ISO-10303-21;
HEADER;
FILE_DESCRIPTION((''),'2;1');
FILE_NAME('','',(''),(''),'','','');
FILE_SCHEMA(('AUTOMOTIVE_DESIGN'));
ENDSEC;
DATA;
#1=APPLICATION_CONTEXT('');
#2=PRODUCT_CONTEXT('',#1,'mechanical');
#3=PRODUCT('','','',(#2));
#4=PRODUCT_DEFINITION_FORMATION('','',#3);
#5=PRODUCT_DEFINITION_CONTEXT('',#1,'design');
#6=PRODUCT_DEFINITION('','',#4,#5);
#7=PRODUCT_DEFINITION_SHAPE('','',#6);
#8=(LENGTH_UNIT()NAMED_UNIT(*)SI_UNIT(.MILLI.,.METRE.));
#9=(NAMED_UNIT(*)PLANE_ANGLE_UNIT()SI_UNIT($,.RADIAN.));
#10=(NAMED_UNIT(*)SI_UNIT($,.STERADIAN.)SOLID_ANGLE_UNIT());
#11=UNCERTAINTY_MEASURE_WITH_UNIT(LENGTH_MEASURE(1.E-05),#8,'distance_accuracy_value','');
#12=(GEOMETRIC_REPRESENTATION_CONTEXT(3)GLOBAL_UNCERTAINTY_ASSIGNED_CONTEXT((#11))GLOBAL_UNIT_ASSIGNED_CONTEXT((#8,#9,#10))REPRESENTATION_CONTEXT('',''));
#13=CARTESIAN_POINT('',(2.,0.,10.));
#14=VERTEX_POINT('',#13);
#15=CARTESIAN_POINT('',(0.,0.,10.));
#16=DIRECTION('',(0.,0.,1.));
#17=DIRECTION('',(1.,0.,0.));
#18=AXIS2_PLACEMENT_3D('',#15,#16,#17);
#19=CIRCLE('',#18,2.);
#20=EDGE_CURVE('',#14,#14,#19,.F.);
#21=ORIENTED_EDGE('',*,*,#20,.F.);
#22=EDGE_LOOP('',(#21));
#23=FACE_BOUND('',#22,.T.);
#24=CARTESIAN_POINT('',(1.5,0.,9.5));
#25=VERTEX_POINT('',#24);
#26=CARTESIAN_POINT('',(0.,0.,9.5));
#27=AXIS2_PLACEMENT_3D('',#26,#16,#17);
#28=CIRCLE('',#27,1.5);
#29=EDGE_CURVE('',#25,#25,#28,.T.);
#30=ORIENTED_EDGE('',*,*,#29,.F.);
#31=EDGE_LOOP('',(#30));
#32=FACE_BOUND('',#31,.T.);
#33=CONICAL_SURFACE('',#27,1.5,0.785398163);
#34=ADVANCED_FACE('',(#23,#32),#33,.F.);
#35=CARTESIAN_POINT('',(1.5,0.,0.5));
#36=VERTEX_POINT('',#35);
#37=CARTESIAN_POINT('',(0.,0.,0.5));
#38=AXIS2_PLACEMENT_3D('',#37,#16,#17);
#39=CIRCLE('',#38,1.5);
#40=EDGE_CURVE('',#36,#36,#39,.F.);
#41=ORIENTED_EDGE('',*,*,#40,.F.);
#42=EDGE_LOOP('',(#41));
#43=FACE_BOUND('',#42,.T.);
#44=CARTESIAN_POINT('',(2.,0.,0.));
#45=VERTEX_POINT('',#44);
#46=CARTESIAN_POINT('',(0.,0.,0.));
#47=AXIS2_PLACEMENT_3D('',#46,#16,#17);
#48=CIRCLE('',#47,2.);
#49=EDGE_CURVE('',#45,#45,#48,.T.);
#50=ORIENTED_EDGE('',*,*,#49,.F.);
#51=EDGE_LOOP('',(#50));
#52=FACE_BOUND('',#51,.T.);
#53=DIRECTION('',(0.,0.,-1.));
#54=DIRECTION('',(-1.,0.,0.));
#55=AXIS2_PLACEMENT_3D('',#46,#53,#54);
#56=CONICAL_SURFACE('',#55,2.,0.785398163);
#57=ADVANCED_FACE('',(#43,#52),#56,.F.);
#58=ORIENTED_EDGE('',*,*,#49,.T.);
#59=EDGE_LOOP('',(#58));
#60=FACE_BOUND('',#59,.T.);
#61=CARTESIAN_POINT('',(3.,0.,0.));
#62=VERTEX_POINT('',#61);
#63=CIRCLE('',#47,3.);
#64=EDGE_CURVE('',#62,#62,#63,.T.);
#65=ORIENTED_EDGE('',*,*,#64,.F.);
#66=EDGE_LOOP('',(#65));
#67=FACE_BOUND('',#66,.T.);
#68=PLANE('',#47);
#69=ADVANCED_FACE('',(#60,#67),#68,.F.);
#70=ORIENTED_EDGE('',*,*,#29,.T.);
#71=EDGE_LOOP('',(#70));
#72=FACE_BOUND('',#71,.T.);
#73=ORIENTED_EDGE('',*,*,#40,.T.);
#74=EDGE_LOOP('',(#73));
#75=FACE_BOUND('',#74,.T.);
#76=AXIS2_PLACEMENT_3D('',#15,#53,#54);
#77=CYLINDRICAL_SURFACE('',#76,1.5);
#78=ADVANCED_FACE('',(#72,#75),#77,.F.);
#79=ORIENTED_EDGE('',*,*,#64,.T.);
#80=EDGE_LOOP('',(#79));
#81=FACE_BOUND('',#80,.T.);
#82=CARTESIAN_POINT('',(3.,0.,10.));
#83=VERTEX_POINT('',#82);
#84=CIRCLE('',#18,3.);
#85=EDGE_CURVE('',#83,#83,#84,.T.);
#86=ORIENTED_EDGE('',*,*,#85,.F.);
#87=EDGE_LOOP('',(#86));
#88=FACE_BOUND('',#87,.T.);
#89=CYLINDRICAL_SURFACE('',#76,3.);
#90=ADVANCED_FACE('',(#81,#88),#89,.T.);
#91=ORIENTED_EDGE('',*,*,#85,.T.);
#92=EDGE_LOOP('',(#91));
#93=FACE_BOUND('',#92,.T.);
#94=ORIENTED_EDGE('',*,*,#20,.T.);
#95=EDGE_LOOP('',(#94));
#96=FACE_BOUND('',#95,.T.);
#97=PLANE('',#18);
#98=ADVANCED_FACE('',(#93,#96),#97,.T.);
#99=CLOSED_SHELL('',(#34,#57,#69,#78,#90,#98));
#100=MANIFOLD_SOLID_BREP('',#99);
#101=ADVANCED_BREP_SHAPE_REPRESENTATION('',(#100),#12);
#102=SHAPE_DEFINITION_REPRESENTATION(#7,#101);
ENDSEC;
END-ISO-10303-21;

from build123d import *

# Parameters (mm, degrees)
SCHIZZO1_R                   = 3
SCHIZZO1_R_2                 = 1.5
ESTRUSIONE_ESTRUSIONE1_DEPTH = 10
SMUSSO1_SIZE                 = 0.5
CHAMFER1_SIZE                = 0.5


with BuildPart() as part:
    # Schizzo1 → Estrusione-Estrusione1 (new body)
    with BuildSketch(Plane.XY):
        Circle(SCHIZZO1_R)
        Circle(SCHIZZO1_R_2, mode=Mode.SUBTRACT)
    extrude(amount=ESTRUSIONE_ESTRUSIONE1_DEPTH)

    # Smusso1
    smusso1_edges = [part.edges().sort_by_distance(p)[0] for p in [
        (-1.5, 0, 10),
    ]]
    chamfer(smusso1_edges, length=SMUSSO1_SIZE)

    # Chamfer1
    chamfer1_edges = [part.edges().sort_by_distance(p)[0] for p in [
        (-1.5, 0, 0),
    ]]
    chamfer(chamfer1_edges, length=CHAMFER1_SIZE)


solid = part.part
